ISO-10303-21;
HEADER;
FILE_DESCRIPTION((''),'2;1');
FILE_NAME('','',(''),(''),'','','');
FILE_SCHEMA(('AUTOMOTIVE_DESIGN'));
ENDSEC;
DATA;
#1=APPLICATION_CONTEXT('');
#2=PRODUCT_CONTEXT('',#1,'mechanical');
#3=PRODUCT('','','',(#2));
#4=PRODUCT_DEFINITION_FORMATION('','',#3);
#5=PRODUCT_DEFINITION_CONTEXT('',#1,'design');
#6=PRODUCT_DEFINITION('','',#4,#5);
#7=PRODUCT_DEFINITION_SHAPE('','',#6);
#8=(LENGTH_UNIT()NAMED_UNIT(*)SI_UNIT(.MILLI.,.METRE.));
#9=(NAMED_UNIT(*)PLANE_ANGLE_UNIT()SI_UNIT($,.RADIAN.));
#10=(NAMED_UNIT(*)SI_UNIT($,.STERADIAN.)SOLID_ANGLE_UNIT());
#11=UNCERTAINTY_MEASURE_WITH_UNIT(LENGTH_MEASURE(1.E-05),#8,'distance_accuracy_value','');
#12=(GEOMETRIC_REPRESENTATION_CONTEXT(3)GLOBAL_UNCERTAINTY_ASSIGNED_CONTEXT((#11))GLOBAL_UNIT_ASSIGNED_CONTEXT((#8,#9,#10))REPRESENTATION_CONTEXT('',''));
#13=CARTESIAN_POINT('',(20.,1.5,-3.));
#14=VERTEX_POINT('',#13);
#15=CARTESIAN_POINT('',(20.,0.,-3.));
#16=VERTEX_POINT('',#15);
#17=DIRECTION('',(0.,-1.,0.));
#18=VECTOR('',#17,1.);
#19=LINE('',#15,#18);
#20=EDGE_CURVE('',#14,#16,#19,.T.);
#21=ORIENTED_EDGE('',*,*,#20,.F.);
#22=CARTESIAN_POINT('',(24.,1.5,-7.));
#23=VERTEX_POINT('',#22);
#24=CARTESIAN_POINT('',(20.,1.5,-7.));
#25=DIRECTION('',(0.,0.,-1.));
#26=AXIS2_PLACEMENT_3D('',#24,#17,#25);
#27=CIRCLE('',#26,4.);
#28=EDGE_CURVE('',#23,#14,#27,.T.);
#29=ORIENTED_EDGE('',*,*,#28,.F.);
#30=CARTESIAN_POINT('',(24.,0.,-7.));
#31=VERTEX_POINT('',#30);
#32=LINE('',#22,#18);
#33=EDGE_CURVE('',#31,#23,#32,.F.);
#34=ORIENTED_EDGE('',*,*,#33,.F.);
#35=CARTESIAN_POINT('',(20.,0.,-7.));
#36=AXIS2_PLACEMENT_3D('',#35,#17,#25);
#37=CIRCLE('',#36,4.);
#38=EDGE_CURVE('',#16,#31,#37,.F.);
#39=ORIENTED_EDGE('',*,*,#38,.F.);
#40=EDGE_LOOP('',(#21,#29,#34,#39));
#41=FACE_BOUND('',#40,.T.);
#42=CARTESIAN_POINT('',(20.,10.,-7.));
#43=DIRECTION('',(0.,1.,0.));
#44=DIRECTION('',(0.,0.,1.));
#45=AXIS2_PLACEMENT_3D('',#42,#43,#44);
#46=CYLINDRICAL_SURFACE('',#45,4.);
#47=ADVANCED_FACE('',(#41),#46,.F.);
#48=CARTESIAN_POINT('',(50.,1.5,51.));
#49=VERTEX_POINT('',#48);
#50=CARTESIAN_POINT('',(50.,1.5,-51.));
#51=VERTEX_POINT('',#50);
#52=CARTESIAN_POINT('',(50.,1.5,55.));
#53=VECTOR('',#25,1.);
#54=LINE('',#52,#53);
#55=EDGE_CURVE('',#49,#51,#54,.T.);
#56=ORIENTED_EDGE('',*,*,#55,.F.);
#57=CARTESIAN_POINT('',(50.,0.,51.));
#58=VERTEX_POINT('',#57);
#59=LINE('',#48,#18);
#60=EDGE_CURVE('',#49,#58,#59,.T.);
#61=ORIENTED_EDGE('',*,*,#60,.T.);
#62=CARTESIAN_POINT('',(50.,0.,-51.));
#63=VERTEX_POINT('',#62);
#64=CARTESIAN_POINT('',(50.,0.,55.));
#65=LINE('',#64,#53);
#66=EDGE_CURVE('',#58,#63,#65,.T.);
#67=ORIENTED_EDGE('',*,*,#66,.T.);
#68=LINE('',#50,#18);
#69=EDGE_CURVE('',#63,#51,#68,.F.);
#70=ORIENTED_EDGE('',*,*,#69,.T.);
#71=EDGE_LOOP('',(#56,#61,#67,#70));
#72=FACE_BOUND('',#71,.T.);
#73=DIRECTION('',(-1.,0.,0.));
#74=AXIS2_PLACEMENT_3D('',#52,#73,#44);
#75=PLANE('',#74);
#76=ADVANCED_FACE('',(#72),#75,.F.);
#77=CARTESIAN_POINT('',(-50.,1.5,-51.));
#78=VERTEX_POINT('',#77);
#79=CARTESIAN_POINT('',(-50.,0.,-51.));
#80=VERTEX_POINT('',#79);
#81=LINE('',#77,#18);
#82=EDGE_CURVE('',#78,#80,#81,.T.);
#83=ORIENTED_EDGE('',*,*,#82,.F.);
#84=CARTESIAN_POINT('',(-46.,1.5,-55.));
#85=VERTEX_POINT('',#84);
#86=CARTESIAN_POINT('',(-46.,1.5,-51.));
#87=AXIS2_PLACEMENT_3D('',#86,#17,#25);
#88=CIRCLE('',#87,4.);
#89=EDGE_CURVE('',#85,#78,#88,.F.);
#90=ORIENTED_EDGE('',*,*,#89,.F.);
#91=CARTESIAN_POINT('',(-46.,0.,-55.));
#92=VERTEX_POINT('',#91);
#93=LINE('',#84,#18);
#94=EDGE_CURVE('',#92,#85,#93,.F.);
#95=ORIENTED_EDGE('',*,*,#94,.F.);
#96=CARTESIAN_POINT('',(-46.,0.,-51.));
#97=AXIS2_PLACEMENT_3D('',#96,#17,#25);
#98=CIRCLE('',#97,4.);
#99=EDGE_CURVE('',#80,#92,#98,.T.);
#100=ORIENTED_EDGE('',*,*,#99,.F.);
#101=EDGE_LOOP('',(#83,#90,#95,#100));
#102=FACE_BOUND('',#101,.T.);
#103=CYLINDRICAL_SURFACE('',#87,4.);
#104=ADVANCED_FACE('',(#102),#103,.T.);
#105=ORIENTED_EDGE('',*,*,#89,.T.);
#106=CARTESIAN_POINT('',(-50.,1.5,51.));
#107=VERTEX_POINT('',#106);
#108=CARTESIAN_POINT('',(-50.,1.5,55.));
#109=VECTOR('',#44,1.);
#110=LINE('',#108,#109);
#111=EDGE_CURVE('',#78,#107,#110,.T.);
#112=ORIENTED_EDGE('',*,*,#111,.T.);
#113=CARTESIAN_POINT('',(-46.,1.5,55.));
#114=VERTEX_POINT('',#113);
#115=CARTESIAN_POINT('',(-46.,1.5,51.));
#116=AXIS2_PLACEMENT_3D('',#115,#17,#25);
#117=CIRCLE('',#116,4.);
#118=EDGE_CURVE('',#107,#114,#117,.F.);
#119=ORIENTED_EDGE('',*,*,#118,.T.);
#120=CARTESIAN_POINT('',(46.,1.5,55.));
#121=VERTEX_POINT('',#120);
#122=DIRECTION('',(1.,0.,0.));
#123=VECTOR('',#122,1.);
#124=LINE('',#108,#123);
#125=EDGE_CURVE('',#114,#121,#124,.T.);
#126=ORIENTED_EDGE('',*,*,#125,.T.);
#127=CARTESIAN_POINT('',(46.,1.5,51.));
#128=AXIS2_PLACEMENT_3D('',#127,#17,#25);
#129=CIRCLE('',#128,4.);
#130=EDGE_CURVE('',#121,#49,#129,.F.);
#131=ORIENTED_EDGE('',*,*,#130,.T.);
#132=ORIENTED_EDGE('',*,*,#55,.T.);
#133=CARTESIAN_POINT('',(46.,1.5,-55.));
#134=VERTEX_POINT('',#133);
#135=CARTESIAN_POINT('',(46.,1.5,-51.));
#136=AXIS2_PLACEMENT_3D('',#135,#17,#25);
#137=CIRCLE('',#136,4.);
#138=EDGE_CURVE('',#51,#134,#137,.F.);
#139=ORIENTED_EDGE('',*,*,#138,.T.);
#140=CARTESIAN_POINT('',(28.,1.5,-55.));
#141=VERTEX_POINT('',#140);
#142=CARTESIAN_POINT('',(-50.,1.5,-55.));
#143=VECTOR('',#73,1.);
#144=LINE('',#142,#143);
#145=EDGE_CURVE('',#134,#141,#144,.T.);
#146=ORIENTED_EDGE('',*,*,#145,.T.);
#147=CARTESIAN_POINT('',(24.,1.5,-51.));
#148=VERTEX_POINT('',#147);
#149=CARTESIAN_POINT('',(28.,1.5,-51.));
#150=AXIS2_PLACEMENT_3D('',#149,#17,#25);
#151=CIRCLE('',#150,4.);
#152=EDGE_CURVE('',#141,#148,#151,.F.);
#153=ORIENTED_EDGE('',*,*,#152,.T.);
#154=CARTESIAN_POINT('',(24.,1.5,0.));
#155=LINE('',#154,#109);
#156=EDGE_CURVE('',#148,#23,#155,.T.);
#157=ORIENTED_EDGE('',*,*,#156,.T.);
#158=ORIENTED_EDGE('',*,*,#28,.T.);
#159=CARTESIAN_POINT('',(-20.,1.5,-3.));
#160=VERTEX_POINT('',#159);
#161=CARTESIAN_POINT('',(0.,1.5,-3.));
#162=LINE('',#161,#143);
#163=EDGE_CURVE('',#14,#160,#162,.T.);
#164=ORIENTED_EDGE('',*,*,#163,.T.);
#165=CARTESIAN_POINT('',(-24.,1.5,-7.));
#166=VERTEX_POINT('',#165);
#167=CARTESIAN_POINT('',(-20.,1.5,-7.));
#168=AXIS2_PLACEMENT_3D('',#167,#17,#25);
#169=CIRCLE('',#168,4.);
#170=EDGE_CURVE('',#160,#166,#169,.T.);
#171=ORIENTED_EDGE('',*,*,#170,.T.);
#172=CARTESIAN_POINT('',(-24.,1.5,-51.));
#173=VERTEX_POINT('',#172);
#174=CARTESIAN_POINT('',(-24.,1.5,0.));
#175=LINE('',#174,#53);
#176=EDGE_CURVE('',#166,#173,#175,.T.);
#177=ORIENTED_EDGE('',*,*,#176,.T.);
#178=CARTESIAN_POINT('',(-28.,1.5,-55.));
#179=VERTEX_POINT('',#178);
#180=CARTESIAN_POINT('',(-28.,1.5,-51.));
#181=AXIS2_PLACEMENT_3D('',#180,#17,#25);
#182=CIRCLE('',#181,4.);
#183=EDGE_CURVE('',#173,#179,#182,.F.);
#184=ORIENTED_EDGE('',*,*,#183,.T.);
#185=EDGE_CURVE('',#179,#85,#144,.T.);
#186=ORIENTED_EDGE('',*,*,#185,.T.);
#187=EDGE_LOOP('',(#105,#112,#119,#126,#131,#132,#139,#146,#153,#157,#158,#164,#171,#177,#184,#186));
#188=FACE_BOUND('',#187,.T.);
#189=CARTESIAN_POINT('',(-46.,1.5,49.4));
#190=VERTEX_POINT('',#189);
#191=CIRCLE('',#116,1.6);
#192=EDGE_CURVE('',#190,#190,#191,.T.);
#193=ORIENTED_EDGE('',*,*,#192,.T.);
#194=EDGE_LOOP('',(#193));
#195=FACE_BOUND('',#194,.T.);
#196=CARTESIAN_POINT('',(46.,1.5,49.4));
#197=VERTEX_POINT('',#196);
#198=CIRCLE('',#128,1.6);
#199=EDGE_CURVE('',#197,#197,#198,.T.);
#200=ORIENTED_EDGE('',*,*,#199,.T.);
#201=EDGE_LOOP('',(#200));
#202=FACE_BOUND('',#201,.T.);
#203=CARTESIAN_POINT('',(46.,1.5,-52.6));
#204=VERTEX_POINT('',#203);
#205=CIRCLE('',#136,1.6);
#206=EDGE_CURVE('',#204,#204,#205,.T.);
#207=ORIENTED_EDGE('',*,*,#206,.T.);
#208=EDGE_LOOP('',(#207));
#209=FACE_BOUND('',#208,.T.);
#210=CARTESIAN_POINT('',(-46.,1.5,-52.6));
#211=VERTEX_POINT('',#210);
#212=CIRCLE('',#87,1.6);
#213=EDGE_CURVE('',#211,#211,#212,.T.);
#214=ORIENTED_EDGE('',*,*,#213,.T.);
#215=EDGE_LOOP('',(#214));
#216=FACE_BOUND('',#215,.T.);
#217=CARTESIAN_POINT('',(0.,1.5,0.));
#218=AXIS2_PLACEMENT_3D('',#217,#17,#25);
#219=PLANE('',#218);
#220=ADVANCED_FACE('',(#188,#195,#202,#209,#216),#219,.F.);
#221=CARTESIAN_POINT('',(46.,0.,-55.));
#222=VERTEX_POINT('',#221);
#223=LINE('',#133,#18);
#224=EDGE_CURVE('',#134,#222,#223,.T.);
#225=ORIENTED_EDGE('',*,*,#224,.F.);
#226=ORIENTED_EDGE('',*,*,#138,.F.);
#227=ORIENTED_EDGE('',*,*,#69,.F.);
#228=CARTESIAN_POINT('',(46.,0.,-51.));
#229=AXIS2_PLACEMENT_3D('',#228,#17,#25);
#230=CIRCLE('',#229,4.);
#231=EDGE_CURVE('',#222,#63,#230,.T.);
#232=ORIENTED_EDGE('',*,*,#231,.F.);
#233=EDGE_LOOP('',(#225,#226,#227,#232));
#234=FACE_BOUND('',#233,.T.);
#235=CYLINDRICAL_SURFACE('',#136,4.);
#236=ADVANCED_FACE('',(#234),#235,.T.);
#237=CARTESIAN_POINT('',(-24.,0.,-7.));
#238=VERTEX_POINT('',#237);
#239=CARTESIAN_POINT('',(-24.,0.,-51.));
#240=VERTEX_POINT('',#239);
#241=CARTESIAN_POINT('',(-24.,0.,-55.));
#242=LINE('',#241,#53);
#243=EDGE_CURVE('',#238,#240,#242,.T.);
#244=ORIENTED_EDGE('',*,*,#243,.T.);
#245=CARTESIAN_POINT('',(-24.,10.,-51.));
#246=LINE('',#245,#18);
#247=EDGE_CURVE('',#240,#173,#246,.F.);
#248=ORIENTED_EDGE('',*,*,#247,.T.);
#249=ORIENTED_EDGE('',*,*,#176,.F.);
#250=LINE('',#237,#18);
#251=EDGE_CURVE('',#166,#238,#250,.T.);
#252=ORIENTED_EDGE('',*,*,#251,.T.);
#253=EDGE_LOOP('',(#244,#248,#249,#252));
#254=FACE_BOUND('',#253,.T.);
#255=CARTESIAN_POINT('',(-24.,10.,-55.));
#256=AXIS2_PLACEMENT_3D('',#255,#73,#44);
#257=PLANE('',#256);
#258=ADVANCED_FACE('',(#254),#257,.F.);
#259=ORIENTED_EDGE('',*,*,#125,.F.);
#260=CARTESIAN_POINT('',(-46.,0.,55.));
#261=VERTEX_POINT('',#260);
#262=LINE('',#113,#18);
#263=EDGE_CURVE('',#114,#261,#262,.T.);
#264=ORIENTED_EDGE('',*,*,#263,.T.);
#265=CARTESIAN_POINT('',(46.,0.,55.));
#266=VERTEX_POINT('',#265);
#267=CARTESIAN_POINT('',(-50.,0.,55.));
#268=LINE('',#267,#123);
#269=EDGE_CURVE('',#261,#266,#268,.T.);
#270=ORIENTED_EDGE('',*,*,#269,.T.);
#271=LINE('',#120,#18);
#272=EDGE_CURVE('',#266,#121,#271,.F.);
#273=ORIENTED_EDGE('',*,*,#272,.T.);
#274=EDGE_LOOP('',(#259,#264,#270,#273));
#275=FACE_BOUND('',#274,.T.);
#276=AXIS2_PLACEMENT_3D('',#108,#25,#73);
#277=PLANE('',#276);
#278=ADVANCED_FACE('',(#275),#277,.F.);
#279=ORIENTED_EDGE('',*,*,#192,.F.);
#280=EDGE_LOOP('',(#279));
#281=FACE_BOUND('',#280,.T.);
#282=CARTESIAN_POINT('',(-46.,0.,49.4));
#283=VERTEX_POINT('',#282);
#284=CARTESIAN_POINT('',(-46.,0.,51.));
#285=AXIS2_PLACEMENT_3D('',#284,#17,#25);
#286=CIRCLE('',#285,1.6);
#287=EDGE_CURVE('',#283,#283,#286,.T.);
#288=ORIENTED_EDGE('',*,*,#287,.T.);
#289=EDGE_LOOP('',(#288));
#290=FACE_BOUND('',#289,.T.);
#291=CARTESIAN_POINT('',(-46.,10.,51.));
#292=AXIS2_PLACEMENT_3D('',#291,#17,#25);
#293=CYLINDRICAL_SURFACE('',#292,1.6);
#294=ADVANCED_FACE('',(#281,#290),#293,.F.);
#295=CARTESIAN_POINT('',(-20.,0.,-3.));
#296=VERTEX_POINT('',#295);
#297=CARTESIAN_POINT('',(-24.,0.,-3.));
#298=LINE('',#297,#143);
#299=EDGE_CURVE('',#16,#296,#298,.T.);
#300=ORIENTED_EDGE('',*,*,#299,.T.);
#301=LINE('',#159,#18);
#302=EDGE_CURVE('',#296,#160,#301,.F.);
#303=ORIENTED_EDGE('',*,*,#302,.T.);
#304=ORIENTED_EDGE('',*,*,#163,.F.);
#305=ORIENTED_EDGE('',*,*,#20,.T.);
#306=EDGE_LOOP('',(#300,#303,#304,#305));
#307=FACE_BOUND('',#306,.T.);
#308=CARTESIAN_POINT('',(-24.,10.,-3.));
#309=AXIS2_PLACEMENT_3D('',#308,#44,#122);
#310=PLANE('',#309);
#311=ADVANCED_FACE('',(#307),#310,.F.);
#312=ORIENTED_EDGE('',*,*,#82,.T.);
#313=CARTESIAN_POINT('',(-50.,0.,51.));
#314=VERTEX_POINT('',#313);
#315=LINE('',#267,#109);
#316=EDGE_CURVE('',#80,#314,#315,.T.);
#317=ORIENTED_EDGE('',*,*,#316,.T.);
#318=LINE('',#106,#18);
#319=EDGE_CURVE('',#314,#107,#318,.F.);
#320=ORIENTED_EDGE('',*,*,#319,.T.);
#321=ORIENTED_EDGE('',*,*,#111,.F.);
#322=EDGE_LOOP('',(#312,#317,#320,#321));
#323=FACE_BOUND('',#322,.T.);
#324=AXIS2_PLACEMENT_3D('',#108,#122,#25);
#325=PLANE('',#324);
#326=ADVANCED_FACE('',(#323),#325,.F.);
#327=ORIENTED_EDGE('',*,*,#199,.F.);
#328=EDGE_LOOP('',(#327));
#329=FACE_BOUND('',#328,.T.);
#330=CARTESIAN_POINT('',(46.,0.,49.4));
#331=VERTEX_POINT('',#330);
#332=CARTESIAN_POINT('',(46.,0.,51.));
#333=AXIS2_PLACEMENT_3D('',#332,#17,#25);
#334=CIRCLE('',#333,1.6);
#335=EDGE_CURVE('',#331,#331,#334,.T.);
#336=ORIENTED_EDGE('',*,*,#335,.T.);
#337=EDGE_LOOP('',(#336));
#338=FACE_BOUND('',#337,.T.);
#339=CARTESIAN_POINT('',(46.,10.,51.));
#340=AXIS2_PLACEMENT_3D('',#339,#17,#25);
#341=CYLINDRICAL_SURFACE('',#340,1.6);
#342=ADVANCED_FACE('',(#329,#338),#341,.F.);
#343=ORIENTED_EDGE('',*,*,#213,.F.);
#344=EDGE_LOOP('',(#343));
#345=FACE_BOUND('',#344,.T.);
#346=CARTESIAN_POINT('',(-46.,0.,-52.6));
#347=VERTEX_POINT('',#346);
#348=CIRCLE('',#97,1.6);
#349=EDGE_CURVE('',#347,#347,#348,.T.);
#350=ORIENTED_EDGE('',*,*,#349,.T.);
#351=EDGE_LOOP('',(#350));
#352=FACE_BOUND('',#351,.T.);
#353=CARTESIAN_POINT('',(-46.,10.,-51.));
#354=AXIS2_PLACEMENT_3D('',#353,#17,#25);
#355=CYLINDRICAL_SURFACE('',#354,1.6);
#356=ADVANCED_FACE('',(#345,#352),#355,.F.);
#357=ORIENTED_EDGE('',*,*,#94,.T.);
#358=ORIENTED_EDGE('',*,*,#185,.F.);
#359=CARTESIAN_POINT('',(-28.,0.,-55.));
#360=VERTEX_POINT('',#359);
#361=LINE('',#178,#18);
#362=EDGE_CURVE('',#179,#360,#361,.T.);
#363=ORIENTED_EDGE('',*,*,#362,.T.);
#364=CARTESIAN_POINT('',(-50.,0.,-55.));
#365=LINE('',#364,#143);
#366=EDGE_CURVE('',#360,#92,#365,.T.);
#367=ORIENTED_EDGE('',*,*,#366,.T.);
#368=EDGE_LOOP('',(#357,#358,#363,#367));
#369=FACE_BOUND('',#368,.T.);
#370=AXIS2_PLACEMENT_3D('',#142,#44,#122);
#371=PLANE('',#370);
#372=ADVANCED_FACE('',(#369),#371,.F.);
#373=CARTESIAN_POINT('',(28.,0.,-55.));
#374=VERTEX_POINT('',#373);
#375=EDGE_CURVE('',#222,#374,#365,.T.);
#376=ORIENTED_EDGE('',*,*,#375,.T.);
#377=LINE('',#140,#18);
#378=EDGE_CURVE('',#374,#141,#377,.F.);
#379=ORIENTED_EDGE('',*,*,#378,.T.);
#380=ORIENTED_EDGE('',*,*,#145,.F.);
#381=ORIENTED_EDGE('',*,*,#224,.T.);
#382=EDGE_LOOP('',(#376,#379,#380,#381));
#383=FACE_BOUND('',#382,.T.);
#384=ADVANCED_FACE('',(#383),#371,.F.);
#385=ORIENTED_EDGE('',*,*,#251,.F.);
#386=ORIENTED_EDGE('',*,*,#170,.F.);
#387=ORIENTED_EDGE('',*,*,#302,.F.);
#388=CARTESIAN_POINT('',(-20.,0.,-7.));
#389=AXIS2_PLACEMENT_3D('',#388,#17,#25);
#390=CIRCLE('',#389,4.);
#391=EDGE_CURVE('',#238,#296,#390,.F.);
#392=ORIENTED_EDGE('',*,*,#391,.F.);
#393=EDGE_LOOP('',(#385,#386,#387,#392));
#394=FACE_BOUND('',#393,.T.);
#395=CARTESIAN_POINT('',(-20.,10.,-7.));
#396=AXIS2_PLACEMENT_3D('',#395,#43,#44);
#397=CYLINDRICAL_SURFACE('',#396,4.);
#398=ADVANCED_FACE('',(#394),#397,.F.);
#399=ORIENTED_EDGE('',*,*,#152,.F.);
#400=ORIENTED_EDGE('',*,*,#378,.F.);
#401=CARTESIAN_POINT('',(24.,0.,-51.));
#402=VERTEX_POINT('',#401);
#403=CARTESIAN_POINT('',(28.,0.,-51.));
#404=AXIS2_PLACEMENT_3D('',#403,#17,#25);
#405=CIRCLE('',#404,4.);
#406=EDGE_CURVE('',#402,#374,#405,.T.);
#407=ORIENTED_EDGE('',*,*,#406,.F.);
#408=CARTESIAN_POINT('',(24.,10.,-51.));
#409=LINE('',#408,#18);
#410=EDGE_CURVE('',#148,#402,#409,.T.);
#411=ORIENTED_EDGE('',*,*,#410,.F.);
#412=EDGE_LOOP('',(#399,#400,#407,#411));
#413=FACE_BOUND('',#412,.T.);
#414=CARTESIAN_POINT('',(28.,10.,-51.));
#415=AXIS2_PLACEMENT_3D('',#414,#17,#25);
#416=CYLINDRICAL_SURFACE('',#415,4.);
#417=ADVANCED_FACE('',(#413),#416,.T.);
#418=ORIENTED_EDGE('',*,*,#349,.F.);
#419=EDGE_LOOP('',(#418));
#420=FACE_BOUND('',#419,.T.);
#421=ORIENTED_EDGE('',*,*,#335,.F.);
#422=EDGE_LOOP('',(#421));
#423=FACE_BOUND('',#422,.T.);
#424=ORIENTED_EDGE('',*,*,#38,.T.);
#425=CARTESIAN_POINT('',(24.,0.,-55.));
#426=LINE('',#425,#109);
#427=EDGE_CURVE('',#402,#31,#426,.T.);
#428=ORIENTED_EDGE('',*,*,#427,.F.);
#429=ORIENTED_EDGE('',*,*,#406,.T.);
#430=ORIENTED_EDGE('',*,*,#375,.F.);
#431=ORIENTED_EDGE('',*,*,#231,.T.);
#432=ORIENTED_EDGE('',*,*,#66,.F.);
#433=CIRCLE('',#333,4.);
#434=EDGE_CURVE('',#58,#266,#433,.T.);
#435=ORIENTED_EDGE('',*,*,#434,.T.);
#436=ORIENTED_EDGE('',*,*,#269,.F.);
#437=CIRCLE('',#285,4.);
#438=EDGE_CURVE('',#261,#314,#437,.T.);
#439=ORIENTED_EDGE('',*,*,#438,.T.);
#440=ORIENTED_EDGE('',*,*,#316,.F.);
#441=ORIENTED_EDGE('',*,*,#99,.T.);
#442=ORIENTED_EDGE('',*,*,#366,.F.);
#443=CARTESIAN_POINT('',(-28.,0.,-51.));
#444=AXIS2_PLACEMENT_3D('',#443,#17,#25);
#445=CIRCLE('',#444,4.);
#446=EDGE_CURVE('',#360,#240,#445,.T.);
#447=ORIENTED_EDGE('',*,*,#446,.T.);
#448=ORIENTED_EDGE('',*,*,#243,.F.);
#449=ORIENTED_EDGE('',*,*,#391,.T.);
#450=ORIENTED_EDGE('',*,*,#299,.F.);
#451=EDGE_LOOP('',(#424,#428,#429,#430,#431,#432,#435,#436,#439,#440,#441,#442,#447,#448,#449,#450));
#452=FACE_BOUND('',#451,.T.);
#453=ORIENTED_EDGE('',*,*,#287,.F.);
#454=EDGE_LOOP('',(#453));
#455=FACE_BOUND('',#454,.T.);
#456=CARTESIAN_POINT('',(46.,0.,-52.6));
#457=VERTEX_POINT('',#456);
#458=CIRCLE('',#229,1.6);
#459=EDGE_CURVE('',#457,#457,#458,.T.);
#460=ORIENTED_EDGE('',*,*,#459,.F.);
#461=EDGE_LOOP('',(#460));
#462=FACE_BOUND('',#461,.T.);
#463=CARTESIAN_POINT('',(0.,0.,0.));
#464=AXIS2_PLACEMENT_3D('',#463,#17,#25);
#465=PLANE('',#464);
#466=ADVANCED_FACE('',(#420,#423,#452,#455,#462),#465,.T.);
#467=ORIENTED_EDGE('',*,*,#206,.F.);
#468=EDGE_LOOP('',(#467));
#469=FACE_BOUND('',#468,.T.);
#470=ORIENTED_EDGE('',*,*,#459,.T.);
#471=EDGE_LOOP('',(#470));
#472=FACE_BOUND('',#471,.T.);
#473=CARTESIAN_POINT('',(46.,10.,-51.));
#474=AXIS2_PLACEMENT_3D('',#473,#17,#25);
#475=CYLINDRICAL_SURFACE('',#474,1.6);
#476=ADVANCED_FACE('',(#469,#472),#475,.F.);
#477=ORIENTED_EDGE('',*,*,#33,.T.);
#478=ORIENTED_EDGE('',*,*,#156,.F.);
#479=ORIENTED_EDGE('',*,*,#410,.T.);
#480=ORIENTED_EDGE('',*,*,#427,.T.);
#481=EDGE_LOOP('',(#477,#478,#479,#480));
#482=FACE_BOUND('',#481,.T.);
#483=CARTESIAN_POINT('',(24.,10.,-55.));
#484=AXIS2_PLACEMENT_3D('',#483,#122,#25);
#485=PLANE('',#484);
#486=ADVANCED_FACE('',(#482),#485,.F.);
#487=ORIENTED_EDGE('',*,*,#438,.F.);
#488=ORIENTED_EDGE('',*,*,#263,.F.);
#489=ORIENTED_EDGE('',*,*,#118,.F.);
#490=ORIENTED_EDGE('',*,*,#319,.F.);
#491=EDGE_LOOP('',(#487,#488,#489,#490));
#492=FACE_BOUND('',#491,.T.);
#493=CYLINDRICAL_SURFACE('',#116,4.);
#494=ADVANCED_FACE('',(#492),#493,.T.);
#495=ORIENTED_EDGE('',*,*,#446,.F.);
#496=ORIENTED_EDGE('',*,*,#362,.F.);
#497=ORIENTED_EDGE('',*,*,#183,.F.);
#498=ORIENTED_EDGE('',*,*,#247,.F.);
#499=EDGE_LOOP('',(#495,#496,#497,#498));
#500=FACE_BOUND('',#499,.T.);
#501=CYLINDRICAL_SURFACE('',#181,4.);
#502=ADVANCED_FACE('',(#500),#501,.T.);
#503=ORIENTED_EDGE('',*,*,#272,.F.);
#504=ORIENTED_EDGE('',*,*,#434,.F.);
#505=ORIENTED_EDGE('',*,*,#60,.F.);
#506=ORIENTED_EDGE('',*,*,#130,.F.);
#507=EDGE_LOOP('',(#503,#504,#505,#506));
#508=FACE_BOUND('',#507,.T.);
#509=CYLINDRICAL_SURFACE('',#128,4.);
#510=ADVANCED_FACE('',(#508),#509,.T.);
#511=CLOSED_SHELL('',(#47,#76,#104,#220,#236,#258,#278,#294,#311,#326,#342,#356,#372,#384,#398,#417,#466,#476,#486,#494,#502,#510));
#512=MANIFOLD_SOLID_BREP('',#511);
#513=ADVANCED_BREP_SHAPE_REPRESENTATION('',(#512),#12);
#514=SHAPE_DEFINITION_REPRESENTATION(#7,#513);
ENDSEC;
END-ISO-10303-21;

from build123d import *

# Parameters (mm, degrees)
SKETCH1_W           = 100
SKETCH1_H           = 110
BOSS_EXTRUDE1_DEPTH = 1.5
CUT_EXTRUDE1_DEPTH  = 10
FILLET1_R           = 4
SKETCH4_R           = 1.6
CUT_EXTRUDE2_DEPTH  = 10


with BuildPart() as part:
    # Sketch1 → Boss-Extrude1 (new body)
    with BuildSketch(Plane(origin=(0, 0, 0), x_dir=(1, 0, 0), z_dir=(0, 1, 0))):
        Rectangle(SKETCH1_W, SKETCH1_H)
    extrude(amount=BOSS_EXTRUDE1_DEPTH)

    # Sketch2 → Cut-Extrude1 (cut)
    with BuildSketch(Plane(origin=(0, 0, 0), x_dir=(-1, 0, 0), z_dir=(0, -1, 0))):
        Polygon((0, 55), (-24, 55), (-24, 3), (24, 3), (24, 55), align=None)
    extrude(amount=-CUT_EXTRUDE1_DEPTH, mode=Mode.SUBTRACT)

    # Fillet1
    fillet1_edges = [part.edges().sort_by_distance(p)[0] for p in [
        (-24, 0.75, -55),
        (-24, 0.75, -3),
        (24, 0.75, -3),
        (24, 0.75, -55),
        (50, 0.75, 55),
        (-50, 0.75, 55),
        (-50, 0.75, -55),
        (50, 0.75, -55),
    ]]
    fillet(fillet1_edges, radius=FILLET1_R)

    # Sketch4 → Cut-Extrude2 (cut)
    with BuildSketch(Plane(origin=(0, 0, 0), x_dir=(-1, 0, 0), z_dir=(0, -1, 0))):
        with Locations((46, -51)):
            Circle(SKETCH4_R)
        with Locations((46, 51)):
            Circle(SKETCH4_R)
        with Locations((-46, 51)):
            Circle(SKETCH4_R)
        with Locations((-46, -51)):
            Circle(SKETCH4_R)
    extrude(amount=-CUT_EXTRUDE2_DEPTH, mode=Mode.SUBTRACT)


solid = part.part
